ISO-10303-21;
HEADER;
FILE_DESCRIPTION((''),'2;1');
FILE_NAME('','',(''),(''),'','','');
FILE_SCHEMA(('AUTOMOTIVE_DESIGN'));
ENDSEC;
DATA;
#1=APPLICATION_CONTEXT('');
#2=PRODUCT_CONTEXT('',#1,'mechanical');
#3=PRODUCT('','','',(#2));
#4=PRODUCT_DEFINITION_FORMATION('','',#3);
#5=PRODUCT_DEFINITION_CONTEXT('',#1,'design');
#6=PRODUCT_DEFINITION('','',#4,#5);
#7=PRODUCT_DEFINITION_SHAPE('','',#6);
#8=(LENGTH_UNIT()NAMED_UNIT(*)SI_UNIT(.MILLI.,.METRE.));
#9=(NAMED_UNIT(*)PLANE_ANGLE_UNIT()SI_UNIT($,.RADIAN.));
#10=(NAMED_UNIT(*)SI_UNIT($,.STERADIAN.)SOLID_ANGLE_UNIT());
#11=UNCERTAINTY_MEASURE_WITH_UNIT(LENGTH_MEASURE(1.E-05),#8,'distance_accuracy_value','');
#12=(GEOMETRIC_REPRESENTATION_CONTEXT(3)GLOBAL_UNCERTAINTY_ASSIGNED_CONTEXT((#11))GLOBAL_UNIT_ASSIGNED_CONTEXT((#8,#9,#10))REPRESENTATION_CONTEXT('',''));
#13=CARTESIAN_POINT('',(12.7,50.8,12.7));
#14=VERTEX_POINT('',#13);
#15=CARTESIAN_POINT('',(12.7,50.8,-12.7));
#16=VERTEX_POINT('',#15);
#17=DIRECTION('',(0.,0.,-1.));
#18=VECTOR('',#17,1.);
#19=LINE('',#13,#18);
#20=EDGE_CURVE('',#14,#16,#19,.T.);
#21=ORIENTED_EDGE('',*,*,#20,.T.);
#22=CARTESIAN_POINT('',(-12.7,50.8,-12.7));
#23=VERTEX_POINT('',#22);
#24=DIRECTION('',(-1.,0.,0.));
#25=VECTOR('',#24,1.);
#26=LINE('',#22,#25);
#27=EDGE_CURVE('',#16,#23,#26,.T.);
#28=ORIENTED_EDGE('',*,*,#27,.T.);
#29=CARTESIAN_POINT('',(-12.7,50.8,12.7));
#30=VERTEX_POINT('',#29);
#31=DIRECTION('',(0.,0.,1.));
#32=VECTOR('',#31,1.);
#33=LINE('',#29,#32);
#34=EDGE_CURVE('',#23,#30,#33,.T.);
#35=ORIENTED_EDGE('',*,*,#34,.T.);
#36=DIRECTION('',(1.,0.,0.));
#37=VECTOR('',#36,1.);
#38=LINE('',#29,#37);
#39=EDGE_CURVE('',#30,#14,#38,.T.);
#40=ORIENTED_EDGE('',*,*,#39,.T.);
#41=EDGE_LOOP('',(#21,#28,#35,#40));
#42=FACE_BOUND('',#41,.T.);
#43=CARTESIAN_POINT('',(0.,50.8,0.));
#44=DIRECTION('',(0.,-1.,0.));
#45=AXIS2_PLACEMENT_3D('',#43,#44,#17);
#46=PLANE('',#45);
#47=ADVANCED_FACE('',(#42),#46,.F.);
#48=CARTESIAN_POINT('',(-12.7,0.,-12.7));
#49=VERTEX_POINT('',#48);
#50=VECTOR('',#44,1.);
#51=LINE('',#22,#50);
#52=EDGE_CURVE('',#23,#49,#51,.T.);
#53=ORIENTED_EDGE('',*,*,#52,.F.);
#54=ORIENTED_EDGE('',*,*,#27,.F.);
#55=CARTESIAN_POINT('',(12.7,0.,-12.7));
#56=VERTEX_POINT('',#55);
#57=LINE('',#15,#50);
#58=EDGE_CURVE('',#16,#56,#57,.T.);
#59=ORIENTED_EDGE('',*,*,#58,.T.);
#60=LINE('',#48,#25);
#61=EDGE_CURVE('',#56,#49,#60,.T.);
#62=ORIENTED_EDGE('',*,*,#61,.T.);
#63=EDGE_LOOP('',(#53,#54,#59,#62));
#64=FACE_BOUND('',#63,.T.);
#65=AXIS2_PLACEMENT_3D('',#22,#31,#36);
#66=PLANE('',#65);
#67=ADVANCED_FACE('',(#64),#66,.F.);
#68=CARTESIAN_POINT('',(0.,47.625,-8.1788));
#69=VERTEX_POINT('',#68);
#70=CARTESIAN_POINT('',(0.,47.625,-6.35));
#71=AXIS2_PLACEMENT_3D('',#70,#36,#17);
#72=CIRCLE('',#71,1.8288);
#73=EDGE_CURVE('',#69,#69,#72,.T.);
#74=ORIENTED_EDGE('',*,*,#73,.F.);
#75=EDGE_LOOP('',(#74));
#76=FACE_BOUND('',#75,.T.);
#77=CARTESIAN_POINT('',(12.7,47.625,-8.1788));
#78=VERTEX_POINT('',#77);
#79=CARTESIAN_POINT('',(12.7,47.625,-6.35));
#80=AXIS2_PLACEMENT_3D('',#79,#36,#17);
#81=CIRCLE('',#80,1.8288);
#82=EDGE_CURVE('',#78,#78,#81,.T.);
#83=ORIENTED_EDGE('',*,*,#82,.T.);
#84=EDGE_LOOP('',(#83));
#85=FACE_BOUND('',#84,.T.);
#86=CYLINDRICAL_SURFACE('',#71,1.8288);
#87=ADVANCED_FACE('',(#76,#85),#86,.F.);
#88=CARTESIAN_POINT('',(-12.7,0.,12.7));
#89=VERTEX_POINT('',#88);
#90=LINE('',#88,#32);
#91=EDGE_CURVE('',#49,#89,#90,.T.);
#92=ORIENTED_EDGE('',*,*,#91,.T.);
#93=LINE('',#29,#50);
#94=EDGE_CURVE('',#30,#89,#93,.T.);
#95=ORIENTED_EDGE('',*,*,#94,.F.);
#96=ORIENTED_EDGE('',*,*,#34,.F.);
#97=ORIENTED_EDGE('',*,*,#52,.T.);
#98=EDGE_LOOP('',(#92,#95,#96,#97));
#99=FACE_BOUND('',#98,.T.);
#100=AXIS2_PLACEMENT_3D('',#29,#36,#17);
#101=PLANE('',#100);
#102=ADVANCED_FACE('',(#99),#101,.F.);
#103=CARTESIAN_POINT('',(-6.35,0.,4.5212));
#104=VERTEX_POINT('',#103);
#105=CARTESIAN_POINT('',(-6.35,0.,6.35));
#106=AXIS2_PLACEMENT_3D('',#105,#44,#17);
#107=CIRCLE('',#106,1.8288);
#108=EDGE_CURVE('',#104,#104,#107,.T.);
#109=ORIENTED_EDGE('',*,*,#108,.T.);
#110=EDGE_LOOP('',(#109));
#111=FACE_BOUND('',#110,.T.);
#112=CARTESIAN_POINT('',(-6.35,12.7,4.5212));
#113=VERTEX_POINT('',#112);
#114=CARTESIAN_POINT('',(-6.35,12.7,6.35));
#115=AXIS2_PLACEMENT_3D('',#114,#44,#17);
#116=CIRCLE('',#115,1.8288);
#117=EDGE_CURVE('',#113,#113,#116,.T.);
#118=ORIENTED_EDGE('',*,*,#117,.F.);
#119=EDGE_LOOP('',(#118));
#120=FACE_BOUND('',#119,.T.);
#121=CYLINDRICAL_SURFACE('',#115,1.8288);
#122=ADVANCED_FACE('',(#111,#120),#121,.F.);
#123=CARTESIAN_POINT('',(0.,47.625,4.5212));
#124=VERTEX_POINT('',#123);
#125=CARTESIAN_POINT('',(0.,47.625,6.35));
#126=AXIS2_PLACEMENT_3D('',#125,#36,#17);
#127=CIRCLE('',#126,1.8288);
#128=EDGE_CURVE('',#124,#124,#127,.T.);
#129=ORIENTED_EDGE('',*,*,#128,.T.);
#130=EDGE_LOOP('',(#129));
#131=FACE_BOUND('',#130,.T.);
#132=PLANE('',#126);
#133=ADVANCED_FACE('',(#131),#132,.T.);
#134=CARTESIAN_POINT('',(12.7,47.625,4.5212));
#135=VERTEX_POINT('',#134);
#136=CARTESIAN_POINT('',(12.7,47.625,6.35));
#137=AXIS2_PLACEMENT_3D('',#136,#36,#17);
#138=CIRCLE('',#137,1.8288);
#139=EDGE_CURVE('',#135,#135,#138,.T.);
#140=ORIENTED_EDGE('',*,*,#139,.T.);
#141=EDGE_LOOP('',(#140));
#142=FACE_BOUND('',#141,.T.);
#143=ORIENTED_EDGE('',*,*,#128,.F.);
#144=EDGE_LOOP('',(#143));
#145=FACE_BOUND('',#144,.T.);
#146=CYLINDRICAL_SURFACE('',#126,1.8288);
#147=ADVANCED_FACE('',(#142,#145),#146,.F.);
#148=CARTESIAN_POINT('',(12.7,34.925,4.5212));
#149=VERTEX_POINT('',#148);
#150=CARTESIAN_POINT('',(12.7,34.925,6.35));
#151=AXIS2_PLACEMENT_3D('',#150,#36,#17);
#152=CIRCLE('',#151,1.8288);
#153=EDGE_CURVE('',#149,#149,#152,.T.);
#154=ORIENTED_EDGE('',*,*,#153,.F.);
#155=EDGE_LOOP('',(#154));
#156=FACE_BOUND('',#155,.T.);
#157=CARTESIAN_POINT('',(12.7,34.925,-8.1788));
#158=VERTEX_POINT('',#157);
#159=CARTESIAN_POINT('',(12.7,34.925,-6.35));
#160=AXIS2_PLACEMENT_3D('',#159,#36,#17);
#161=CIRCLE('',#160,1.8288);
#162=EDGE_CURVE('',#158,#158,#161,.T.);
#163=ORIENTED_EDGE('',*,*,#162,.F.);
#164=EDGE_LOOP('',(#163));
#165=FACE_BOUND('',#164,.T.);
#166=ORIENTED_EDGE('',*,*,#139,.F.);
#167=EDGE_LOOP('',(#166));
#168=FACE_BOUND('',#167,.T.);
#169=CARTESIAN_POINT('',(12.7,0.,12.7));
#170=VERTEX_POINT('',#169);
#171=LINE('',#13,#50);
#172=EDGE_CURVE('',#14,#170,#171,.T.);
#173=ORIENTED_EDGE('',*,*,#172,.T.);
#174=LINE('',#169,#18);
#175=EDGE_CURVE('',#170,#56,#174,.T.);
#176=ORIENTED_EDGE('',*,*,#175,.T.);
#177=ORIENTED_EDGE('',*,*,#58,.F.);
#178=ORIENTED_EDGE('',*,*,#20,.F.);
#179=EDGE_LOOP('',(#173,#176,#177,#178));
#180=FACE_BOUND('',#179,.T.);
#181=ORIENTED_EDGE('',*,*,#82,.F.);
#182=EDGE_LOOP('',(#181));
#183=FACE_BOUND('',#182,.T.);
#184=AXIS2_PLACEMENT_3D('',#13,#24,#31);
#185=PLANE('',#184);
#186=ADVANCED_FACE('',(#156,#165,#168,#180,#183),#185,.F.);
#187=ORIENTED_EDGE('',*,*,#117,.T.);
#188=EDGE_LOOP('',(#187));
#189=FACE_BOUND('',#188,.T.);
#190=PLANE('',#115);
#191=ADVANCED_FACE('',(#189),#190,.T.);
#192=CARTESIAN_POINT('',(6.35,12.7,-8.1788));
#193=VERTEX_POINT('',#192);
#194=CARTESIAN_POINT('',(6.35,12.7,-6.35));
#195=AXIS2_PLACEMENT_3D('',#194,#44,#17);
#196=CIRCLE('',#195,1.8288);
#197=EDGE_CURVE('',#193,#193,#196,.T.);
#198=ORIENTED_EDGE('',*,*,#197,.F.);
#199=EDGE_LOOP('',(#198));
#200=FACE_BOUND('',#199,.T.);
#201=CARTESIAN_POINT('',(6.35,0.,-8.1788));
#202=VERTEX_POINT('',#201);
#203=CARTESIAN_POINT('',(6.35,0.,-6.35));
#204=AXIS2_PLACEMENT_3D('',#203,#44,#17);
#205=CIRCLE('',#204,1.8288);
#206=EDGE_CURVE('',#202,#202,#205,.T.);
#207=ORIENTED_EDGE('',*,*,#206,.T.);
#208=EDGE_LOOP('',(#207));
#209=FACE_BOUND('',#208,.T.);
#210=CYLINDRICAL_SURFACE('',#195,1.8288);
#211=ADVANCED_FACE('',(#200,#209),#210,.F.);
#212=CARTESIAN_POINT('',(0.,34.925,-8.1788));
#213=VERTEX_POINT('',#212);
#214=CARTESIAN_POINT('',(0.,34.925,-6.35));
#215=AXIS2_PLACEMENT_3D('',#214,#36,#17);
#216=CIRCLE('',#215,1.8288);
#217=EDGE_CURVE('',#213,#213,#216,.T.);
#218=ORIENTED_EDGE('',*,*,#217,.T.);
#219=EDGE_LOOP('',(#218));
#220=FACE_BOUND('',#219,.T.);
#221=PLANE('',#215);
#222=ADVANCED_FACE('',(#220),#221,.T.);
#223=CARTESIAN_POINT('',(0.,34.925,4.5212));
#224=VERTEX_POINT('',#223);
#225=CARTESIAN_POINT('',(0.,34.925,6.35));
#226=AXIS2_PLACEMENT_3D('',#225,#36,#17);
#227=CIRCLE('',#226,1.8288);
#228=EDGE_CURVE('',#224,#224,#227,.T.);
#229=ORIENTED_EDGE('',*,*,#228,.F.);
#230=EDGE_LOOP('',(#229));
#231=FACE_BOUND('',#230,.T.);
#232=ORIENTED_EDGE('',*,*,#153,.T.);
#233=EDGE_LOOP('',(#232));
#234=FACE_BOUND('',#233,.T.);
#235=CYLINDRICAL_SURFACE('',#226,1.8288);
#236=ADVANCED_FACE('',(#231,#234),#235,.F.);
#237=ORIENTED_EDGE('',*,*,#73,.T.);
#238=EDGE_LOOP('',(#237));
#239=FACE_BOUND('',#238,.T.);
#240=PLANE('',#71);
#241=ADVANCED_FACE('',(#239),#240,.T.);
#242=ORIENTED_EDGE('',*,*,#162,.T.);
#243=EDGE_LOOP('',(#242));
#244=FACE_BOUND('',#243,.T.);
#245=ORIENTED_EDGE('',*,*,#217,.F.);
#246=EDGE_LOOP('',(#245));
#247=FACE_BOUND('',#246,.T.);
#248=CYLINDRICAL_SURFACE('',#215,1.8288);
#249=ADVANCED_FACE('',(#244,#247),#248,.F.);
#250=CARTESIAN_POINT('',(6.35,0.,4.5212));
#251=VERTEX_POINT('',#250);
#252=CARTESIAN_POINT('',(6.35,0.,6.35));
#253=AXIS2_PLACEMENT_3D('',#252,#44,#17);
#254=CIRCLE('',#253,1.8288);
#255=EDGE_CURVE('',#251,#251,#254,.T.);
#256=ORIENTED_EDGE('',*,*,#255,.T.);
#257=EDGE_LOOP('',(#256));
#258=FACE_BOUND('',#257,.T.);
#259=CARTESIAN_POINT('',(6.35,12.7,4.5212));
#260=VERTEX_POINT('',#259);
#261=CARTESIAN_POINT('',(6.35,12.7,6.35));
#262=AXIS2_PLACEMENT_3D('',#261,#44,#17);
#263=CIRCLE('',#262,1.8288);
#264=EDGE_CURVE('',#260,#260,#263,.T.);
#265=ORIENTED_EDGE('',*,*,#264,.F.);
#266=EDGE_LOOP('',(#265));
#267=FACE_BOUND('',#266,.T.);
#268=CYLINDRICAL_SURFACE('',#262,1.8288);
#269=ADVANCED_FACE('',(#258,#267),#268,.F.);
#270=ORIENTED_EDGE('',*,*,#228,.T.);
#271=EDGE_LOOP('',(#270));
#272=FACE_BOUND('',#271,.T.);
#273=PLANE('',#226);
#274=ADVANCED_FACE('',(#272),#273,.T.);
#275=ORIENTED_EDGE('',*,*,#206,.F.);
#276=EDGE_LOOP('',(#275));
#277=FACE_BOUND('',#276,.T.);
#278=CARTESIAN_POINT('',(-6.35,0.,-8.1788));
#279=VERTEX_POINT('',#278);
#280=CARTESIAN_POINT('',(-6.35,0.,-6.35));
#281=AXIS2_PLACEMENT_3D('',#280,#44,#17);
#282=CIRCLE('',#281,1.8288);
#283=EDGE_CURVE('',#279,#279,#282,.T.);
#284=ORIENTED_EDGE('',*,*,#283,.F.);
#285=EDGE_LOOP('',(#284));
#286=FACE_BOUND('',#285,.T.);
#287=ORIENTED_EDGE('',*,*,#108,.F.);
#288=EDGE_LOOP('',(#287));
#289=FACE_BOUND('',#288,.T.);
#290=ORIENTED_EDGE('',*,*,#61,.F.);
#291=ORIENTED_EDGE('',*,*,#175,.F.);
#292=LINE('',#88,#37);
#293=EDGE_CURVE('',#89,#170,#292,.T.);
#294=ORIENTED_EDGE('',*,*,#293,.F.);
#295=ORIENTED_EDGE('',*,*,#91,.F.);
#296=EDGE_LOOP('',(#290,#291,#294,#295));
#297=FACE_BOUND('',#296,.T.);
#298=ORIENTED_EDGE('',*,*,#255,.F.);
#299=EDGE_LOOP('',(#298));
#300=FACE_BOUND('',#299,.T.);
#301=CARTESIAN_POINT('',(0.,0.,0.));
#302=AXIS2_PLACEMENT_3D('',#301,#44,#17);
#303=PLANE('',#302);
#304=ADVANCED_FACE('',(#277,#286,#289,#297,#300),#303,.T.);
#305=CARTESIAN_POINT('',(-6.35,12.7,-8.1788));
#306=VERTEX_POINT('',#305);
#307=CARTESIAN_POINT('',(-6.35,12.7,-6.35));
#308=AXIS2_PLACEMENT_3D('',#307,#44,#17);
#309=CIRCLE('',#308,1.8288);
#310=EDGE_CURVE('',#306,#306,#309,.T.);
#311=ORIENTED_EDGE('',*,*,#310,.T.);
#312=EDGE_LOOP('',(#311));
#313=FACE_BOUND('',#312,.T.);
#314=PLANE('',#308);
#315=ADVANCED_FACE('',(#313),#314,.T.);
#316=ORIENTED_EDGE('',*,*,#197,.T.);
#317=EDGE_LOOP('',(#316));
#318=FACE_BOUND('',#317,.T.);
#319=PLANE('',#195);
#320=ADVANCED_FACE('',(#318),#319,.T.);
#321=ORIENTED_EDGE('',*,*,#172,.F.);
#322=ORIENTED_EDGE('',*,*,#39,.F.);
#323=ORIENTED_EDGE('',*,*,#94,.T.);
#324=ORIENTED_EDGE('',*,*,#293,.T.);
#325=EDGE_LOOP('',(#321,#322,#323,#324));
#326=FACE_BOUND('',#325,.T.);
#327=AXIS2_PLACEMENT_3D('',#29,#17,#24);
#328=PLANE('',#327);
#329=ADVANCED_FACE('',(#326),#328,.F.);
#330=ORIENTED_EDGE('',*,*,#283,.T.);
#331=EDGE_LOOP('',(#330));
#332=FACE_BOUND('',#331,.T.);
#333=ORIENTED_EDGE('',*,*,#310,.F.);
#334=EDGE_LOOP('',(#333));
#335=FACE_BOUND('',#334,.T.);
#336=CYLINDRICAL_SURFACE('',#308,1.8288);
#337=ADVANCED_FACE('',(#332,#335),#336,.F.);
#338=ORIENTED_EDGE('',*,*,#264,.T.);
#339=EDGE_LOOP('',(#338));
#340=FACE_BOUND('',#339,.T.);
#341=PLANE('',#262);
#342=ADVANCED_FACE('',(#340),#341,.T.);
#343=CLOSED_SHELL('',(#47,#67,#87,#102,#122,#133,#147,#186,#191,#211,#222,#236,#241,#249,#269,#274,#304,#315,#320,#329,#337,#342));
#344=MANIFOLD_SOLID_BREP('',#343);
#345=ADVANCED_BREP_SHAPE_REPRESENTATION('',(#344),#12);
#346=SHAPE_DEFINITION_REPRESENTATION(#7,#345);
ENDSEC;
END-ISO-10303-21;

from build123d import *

# Parameters (mm, degrees)
SKETCH1_W           = 25.4
SKETCH1_H           = 25.4
BOSS_EXTRUDE1_DEPTH = 50.8
SKETCH2_R           = 1.8288
CUT_EXTRUDE1_DEPTH  = 12.7
SKETCH3_R           = 1.8288
CUT_EXTRUDE2_DEPTH  = 12.7


with BuildPart() as part:
    # Sketch1 → Boss-Extrude1 (new body)
    with BuildSketch(Plane(origin=(0, 0, 0), x_dir=(1, 0, 0), z_dir=(0, 1, 0))):
        Rectangle(SKETCH1_W, SKETCH1_H)
    extrude(amount=BOSS_EXTRUDE1_DEPTH)

    # Sketch2 → Cut-Extrude1 (cut)
    with BuildSketch(Plane(origin=(12.7, 0, 0), x_dir=(0, 0, -1), z_dir=(1, 0, 0))):
        with Locations((-6.35, 47.625)):
            Circle(SKETCH2_R)
        with Locations((6.35, 47.625)):
            Circle(SKETCH2_R)
        with Locations((6.35, 34.925)):
            Circle(SKETCH2_R)
        with Locations((-6.35, 34.925)):
            Circle(SKETCH2_R)
    extrude(amount=-CUT_EXTRUDE1_DEPTH, mode=Mode.SUBTRACT)

    # Sketch3 → Cut-Extrude2 (cut)
    with BuildSketch(Plane.XZ):
        with Locations((-6.35, 6.35)):
            Circle(SKETCH3_R)
        with Locations((6.35, 6.35)):
            Circle(SKETCH3_R)
        with Locations((6.35, -6.35)):
            Circle(SKETCH3_R)
        with Locations((-6.35, -6.35)):
            Circle(SKETCH3_R)
    extrude(amount=-CUT_EXTRUDE2_DEPTH, mode=Mode.SUBTRACT)


solid = part.part
